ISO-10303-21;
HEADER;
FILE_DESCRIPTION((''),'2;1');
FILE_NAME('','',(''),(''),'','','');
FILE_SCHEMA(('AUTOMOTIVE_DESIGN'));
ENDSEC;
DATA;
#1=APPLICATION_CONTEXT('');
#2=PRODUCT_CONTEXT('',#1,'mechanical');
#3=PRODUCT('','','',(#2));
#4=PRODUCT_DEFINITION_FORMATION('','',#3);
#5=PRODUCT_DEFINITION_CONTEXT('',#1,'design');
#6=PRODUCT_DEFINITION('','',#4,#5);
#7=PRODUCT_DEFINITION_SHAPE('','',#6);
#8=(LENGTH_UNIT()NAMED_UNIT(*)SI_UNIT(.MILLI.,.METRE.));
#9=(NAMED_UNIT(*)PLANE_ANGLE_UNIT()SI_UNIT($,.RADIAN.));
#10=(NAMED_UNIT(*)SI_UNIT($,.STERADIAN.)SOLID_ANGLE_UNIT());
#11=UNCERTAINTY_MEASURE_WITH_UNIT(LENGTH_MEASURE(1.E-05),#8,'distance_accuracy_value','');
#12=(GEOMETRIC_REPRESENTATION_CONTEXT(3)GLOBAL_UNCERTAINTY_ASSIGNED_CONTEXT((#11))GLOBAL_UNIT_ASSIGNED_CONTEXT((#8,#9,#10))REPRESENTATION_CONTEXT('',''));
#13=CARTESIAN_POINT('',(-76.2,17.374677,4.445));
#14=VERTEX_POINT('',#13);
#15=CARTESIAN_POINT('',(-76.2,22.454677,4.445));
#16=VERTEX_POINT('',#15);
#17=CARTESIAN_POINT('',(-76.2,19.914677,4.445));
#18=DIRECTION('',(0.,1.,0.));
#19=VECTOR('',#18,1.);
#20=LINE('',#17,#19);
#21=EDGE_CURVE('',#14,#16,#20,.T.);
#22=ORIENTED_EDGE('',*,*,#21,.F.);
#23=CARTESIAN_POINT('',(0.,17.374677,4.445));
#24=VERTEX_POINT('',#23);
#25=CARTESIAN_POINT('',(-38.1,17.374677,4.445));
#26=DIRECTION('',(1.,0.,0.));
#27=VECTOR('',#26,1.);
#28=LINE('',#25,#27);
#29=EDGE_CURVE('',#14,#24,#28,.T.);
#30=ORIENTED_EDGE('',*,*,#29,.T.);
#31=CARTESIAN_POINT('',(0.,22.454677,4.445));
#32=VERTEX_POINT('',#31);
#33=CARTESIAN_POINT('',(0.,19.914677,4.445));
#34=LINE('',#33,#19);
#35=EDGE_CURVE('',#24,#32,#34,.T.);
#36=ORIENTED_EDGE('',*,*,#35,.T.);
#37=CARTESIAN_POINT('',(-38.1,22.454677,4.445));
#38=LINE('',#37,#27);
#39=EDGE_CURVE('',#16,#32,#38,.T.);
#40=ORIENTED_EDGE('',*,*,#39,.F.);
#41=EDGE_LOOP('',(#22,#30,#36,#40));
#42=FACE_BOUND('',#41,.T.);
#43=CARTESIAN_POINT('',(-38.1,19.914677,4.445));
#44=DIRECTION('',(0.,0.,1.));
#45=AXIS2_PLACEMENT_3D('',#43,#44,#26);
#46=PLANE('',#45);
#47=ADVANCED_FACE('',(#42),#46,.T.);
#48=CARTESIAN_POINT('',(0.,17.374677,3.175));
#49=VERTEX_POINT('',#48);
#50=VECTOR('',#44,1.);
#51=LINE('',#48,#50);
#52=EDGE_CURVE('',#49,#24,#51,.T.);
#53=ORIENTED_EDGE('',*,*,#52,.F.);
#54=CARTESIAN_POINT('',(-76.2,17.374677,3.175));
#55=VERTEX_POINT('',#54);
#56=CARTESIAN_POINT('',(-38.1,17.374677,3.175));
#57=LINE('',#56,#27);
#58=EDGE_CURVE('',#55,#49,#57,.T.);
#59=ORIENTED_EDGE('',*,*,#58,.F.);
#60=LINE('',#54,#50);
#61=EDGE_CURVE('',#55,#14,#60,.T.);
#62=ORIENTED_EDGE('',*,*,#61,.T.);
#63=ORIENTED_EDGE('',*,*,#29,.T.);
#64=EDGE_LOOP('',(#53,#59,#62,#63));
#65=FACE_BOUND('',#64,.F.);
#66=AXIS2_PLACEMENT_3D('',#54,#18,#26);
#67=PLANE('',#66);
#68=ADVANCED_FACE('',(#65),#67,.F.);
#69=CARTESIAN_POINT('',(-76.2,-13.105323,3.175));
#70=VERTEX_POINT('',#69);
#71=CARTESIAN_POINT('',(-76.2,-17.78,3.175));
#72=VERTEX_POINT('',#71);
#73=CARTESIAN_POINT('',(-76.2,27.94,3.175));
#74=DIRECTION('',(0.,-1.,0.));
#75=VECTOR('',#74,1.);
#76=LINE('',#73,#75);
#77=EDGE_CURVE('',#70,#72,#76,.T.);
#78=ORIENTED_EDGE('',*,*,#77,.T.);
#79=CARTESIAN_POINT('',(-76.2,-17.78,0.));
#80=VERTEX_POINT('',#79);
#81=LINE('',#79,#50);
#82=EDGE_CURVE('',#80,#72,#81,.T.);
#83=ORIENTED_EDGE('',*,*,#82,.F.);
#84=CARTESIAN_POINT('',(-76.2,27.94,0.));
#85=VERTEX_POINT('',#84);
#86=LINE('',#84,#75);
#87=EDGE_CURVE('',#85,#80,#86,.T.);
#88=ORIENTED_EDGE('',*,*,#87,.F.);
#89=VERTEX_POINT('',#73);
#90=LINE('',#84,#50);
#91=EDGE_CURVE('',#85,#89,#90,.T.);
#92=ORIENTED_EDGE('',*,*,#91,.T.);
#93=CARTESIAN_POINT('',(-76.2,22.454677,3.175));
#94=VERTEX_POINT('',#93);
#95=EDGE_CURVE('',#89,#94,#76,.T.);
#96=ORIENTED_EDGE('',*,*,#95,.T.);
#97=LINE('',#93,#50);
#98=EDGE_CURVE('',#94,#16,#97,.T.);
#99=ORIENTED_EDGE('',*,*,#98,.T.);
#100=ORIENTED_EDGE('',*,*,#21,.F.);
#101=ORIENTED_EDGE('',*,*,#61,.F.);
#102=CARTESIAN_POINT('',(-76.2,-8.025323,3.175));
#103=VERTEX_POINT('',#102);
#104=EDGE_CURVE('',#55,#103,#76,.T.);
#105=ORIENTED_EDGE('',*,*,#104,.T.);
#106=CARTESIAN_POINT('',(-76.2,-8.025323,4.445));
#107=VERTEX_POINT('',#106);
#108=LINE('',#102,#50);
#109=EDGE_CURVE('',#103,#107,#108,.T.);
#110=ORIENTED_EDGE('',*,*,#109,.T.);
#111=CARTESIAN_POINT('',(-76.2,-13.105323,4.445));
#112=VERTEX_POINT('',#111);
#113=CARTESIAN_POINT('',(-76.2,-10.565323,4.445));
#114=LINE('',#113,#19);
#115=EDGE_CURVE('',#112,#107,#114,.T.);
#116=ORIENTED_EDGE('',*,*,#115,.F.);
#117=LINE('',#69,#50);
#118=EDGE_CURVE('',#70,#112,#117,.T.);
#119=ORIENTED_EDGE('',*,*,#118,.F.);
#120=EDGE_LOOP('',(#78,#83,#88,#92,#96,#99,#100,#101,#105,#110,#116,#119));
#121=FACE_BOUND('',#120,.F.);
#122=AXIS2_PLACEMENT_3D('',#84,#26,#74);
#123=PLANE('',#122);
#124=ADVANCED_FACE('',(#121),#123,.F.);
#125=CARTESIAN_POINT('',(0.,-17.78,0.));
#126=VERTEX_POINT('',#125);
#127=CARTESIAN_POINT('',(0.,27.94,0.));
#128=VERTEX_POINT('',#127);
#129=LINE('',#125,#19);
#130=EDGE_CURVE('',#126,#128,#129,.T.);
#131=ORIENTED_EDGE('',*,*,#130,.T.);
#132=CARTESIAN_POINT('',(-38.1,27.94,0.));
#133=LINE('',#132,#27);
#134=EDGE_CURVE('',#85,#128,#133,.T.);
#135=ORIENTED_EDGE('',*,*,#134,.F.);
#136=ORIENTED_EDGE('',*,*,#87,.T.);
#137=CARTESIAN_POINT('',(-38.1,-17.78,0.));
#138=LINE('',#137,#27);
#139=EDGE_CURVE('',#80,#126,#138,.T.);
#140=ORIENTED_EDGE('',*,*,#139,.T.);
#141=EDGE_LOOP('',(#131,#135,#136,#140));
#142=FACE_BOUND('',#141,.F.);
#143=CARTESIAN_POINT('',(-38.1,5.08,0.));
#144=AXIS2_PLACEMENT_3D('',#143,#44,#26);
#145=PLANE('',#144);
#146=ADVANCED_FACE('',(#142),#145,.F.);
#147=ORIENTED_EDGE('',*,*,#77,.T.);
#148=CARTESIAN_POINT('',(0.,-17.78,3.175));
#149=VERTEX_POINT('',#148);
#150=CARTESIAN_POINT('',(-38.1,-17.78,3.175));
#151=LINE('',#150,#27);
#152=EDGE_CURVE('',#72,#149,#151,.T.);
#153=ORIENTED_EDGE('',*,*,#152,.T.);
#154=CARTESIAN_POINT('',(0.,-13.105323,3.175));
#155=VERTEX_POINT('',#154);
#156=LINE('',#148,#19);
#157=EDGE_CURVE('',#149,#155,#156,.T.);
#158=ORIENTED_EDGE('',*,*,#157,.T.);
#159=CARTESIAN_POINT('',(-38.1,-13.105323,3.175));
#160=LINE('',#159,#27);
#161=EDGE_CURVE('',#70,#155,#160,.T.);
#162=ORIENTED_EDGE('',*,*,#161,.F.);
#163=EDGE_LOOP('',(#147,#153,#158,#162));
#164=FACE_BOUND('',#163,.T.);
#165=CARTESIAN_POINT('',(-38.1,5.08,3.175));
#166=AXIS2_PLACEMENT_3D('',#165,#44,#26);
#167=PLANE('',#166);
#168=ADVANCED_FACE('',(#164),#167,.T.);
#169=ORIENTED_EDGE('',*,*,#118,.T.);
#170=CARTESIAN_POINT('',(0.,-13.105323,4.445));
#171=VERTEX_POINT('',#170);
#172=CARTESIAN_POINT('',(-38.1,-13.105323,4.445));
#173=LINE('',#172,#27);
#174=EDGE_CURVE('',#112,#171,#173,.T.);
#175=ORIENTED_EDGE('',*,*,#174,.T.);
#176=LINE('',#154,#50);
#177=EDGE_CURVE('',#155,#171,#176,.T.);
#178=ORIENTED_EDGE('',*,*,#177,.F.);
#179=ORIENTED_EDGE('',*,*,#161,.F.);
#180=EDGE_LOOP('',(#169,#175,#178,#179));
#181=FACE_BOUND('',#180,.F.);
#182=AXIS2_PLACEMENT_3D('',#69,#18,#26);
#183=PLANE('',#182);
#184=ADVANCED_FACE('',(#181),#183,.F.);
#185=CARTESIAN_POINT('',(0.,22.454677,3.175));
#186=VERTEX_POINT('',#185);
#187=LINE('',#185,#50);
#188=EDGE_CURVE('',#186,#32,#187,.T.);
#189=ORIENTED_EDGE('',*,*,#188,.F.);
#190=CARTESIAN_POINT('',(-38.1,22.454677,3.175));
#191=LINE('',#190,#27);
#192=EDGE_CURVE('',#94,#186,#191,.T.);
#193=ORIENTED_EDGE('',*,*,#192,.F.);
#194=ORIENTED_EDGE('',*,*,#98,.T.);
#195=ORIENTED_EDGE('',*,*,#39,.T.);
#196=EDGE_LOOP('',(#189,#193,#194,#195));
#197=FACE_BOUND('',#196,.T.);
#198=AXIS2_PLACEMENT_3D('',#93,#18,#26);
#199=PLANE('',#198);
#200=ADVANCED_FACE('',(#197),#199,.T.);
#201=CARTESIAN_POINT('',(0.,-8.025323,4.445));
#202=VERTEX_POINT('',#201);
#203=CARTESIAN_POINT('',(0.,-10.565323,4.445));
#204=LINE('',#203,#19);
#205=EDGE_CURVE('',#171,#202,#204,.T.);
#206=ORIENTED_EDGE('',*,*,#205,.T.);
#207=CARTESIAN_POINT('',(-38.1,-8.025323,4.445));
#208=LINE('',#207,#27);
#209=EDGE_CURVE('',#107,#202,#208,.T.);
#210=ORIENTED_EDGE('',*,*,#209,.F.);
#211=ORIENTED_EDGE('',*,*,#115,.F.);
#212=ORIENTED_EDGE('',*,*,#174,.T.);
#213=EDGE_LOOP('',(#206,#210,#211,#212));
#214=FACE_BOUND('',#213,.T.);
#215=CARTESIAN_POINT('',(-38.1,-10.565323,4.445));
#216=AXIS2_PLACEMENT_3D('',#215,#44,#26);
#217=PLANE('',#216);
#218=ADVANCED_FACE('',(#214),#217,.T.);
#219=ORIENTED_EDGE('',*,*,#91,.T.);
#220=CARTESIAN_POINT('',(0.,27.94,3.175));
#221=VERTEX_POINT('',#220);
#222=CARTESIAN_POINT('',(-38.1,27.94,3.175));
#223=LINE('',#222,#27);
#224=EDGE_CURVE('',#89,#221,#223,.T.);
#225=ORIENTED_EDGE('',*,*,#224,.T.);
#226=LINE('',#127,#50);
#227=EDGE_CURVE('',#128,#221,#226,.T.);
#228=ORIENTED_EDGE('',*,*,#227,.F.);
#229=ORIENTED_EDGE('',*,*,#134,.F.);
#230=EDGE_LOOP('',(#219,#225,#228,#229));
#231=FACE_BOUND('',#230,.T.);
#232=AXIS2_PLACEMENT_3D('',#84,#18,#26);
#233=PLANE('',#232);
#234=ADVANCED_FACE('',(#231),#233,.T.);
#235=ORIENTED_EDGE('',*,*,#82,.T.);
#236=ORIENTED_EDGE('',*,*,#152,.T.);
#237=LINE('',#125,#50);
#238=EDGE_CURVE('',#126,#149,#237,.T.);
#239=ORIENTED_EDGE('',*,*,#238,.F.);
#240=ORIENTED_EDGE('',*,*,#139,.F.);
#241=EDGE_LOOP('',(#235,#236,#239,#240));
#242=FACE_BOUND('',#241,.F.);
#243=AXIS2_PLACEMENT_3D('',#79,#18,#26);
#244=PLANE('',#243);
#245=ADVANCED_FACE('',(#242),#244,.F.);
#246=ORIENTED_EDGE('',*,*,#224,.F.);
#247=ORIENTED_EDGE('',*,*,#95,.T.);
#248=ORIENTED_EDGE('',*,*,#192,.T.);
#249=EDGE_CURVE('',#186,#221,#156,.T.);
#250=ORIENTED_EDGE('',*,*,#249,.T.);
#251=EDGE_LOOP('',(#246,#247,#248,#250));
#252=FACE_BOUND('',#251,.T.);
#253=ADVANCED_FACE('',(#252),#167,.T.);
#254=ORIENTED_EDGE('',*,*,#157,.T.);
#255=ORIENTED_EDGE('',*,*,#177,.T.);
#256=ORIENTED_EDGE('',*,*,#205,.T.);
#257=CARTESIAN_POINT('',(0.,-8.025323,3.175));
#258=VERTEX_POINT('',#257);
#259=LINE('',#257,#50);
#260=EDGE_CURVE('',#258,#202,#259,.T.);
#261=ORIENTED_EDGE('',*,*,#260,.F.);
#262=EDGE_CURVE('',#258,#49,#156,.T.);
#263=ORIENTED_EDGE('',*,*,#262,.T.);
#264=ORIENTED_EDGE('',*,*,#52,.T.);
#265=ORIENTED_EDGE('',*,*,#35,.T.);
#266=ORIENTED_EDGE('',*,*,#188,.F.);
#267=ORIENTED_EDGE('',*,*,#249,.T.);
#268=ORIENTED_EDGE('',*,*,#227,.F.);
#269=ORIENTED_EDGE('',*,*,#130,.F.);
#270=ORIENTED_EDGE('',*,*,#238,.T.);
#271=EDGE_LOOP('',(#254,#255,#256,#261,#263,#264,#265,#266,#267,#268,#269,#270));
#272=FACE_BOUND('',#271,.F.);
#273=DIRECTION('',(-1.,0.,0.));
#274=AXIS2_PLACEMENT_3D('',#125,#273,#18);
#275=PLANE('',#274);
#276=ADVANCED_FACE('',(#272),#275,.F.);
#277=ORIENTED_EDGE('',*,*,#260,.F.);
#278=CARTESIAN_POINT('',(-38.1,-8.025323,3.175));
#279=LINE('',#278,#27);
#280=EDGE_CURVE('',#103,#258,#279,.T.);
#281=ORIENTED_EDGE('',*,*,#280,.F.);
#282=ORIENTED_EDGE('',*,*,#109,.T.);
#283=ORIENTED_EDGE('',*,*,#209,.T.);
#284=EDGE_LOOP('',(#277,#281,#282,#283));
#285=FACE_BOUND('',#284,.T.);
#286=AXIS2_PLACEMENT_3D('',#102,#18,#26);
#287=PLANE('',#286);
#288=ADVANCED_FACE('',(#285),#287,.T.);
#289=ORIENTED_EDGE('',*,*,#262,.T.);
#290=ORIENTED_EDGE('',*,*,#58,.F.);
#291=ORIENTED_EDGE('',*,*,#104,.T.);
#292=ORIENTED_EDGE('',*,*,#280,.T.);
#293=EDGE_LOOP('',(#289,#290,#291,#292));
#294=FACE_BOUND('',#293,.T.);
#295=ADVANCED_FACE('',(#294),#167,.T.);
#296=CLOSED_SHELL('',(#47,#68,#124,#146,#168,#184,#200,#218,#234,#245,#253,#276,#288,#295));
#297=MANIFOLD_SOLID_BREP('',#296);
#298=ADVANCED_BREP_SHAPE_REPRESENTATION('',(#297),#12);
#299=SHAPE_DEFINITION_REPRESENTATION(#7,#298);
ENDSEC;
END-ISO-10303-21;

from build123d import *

# Parameters (mm, degrees)
F0_W     = 76.2
F0_H     = 35.56
F0_H_2   = 5.08
F1_DEPTH = 3.175
F2_W     = 76.2
F2_H     = 5.08
F3_DEPTH = 1.27


with BuildPart() as f1:
    # F0 (on Top) → F1 (new body)
    with BuildSketch(Plane.XY):
        with Locations((-38.1, 5.08)):
            Rectangle(F0_W, F0_H)
        with Locations((-38.1, 25.4)):
            Rectangle(F0_W, F0_H_2)
        with Locations((-38.1, -15.24)):
            Rectangle(F0_W, F0_H_2)
    extrude(amount=F1_DEPTH)

    # F2 (on face) → F3 (join)
    with BuildSketch(Plane.XY.offset(3.175)):
        with Locations((-38.1, 19.9146774936)):
            Rectangle(F2_W, F2_H)
        with Locations((-38.1, -10.5653225064)):
            Rectangle(F2_W, F2_H)
    extrude(amount=F3_DEPTH)


solid = f1.part
